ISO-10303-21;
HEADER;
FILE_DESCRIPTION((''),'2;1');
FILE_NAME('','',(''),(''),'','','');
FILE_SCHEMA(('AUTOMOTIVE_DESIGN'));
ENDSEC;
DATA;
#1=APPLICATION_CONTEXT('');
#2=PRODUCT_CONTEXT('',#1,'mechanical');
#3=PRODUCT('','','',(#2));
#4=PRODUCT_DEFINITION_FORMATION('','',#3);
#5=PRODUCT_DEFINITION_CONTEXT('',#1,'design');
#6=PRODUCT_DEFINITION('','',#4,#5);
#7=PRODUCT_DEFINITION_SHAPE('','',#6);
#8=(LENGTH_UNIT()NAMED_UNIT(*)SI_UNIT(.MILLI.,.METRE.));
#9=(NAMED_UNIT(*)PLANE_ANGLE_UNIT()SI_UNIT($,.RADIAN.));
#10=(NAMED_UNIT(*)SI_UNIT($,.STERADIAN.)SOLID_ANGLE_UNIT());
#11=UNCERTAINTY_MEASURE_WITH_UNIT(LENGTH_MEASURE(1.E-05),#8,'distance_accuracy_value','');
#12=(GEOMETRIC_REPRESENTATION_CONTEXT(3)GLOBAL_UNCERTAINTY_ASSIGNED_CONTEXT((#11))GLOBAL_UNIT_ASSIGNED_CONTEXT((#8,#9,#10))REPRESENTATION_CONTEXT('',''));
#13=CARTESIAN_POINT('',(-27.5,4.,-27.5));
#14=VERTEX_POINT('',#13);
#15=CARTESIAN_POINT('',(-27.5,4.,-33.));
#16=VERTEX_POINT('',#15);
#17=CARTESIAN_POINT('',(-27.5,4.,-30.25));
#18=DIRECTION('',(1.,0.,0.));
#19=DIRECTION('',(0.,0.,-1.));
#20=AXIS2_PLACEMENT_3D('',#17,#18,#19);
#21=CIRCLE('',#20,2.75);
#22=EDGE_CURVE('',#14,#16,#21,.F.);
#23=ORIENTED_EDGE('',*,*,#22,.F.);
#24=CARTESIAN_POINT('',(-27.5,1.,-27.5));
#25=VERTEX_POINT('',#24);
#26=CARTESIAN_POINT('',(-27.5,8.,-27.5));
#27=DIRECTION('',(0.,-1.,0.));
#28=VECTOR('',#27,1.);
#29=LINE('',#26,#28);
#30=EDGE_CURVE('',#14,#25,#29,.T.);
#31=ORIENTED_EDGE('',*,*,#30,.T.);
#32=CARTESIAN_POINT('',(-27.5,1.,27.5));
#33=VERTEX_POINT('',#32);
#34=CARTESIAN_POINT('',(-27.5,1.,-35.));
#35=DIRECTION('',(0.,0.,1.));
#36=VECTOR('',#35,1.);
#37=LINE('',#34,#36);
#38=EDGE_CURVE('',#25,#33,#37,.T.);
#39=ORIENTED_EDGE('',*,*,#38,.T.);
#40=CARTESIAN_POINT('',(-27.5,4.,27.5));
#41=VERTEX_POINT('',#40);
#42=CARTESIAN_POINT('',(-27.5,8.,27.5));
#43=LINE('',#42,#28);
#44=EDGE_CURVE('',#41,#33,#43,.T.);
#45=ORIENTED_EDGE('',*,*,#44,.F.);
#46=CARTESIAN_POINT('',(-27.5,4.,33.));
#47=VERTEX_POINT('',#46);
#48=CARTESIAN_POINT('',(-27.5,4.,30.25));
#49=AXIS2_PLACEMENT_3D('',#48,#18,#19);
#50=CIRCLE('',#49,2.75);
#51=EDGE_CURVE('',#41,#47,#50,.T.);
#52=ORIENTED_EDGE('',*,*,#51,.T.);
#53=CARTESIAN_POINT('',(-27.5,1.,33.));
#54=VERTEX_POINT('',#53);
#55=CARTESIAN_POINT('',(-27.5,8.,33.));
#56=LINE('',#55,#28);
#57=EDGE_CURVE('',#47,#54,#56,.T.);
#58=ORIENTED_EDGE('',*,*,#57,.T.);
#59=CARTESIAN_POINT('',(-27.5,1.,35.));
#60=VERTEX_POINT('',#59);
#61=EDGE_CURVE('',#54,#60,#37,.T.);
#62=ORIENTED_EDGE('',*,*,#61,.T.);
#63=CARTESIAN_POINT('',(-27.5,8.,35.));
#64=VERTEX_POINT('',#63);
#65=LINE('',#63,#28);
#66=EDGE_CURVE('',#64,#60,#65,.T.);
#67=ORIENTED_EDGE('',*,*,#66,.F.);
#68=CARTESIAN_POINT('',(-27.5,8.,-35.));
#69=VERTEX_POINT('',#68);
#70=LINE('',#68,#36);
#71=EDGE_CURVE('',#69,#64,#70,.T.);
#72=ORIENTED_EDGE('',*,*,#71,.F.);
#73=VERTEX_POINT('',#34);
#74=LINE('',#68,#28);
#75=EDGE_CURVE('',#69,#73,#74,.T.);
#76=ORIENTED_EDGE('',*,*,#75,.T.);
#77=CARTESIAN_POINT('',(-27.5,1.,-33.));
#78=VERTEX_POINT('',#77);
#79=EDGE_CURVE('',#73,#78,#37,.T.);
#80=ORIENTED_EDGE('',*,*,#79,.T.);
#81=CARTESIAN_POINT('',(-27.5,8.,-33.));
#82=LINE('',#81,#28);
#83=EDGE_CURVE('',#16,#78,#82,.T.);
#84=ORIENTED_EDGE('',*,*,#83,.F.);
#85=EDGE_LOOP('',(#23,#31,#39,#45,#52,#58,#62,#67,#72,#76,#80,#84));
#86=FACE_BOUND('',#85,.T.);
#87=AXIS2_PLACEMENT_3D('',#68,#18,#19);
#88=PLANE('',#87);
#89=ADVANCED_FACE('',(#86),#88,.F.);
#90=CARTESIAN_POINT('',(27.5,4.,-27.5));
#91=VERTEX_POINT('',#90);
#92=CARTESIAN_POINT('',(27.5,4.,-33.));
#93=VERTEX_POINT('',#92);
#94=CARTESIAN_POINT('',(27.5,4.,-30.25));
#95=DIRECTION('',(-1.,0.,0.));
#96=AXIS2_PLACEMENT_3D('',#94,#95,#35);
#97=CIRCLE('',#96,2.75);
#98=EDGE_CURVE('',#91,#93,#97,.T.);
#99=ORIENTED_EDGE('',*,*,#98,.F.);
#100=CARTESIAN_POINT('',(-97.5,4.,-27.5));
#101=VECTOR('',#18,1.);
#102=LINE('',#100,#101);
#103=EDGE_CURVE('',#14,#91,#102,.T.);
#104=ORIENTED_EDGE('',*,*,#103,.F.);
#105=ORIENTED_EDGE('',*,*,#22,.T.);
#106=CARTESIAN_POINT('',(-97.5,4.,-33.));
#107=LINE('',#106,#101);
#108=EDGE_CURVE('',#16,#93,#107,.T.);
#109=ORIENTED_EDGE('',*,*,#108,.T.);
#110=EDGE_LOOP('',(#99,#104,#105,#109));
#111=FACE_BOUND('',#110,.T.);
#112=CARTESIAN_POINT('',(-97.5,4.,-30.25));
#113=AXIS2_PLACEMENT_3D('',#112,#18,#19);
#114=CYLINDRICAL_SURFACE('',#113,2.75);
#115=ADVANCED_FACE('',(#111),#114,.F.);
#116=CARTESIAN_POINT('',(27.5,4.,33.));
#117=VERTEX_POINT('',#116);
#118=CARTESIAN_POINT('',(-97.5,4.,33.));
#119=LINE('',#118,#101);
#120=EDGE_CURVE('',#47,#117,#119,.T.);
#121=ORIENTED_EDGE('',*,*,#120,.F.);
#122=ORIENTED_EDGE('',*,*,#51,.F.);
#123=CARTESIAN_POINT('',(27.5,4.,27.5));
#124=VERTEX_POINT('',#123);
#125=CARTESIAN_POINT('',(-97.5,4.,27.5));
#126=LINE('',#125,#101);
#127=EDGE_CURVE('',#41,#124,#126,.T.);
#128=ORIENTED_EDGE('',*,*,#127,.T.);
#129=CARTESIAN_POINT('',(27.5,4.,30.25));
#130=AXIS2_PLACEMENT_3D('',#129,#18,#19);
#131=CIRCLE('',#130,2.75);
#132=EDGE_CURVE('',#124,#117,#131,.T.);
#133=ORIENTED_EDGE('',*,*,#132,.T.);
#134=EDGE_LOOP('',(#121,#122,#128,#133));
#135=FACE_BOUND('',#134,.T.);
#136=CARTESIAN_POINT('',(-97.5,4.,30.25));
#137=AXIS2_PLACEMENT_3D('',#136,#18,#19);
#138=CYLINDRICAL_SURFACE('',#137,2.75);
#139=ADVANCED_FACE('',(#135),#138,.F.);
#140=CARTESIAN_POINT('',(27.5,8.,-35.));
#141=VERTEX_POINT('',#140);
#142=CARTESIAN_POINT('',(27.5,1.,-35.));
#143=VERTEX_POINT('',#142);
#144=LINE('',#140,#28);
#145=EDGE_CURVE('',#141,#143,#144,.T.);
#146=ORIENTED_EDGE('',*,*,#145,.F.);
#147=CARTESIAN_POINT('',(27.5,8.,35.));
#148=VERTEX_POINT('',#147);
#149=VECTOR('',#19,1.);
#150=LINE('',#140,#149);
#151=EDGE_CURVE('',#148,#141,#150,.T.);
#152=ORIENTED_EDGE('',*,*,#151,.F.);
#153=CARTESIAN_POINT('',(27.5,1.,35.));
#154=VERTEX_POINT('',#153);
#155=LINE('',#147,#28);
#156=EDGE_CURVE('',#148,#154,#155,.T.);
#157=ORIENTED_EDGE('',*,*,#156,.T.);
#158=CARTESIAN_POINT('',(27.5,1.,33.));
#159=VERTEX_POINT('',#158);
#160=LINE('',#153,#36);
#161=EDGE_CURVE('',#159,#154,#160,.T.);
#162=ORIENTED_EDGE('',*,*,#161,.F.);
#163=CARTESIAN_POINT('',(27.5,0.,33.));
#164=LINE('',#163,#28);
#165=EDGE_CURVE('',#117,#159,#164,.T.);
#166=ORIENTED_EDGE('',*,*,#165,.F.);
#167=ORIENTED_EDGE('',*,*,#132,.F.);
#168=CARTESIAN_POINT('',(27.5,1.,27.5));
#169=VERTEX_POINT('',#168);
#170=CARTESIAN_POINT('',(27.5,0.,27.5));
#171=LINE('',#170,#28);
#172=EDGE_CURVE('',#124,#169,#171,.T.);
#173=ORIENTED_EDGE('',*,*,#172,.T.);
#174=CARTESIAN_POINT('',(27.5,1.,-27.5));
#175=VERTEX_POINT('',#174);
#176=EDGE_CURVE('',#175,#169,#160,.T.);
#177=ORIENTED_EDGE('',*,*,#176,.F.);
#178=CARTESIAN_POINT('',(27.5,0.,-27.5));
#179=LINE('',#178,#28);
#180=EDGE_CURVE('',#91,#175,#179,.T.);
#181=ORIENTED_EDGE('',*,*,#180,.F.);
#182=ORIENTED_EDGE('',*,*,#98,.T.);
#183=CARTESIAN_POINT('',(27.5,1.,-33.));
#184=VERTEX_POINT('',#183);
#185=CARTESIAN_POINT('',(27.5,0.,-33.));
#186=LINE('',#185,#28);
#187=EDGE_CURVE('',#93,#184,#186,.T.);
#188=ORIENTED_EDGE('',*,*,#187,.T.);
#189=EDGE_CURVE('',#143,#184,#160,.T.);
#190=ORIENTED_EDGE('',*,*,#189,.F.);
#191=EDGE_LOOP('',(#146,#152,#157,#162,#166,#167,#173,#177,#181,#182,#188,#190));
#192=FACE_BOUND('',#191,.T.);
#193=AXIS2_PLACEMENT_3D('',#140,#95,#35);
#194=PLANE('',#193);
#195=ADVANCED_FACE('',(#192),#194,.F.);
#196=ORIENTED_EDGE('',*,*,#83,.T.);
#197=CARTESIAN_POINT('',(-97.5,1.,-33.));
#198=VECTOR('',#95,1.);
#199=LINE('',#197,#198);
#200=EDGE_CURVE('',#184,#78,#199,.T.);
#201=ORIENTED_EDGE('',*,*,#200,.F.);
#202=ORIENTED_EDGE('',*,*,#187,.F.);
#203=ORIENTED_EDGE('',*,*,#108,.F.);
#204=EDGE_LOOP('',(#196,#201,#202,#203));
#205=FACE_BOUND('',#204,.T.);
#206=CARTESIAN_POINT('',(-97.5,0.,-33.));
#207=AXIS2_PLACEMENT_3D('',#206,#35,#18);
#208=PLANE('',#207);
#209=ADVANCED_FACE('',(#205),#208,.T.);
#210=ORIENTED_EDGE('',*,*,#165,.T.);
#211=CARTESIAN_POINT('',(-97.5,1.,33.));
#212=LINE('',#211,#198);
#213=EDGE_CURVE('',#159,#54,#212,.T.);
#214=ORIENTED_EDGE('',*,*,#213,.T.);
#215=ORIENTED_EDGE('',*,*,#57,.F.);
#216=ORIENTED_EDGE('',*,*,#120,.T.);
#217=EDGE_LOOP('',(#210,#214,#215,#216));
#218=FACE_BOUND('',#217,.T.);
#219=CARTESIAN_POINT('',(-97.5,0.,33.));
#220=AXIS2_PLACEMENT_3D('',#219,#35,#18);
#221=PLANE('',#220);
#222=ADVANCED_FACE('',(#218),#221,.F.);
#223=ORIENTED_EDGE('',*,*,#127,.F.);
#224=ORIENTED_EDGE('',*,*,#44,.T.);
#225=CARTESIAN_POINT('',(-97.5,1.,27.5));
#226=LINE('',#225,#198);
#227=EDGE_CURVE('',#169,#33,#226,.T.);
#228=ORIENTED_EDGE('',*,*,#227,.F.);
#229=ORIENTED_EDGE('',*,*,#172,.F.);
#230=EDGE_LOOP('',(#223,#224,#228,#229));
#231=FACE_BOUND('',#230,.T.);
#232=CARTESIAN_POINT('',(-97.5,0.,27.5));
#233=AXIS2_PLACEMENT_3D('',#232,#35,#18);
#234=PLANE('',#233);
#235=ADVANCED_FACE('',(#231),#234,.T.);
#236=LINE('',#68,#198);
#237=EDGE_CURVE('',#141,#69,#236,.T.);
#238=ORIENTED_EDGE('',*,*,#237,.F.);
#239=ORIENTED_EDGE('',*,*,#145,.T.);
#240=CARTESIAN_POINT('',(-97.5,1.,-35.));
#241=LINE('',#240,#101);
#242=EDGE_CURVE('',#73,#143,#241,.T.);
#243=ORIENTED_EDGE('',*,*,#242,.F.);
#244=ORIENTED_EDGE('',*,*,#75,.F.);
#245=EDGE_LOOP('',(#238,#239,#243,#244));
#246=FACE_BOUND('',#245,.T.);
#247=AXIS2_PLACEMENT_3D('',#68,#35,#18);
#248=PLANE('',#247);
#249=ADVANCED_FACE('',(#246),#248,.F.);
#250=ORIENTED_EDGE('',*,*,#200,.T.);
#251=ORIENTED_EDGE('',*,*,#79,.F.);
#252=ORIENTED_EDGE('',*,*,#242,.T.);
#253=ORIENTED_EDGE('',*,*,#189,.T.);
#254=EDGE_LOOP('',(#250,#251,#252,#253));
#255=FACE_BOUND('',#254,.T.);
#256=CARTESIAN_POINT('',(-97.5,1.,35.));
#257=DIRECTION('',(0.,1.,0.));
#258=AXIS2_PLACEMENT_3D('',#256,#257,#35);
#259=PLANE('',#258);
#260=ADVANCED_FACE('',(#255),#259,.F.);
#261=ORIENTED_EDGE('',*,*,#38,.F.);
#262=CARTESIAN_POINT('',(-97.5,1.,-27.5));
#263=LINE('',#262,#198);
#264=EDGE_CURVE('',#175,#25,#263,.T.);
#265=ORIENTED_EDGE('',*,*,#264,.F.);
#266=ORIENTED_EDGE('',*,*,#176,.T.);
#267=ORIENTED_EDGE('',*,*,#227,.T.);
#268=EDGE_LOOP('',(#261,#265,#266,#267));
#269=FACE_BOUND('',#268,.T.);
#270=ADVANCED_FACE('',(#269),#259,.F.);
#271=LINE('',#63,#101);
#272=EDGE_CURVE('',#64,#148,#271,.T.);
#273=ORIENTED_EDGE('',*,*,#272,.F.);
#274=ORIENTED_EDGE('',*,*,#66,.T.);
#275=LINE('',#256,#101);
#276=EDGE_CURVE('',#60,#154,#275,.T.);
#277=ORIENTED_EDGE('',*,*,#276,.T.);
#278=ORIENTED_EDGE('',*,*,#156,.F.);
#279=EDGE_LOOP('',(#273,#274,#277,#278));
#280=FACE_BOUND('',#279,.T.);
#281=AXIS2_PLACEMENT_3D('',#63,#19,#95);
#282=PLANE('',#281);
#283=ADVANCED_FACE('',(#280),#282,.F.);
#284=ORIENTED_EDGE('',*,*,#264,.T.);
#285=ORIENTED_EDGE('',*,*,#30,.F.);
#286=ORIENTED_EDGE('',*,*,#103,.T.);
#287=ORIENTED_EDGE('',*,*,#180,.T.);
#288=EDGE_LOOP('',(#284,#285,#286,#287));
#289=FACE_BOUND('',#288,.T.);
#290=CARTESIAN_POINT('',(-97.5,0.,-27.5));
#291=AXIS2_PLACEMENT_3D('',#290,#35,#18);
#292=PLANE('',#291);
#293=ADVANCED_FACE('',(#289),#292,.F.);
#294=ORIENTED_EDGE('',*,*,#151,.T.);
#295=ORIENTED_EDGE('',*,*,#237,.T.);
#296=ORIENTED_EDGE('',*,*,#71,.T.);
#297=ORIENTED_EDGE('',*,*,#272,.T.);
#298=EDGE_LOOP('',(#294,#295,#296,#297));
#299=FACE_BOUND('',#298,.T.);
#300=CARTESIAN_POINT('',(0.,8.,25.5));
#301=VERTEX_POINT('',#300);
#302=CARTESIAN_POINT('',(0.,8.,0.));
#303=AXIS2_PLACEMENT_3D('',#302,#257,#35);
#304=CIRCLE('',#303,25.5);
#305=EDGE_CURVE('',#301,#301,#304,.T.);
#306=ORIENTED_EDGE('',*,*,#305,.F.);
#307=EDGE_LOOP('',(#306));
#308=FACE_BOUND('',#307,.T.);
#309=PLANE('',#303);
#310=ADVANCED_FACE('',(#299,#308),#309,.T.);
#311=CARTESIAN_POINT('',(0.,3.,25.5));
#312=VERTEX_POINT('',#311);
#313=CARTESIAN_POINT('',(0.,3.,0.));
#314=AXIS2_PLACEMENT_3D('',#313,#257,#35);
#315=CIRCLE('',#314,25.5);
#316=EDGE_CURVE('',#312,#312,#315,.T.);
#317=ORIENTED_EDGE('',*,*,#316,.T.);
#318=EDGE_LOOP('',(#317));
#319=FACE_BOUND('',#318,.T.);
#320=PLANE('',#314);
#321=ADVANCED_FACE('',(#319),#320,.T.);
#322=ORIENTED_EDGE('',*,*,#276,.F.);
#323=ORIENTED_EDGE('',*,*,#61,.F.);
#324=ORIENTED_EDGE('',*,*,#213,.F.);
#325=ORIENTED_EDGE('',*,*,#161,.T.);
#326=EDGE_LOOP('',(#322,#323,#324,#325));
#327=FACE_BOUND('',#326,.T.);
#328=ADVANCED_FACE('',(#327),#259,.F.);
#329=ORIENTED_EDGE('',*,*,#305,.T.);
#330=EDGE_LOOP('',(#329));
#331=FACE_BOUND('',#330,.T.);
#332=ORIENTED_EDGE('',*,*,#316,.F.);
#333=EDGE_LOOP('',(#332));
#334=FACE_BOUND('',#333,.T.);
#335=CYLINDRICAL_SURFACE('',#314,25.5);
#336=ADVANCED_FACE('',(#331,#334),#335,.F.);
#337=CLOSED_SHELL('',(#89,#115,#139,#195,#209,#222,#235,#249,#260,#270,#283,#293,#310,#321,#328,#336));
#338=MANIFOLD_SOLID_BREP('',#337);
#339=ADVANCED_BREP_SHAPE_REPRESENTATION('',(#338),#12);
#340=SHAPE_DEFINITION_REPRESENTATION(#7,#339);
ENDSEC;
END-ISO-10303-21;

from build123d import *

# Parameters (mm, degrees)
SKETCH2_W           = 55
SKETCH2_H           = 70
BOSS_EXTRUDE1_DEPTH = 8
SKETCH3_R           = 25.5
CUT_EXTRUDE1_DEPTH  = 5
CUT_EXTRUDE3_DEPTH  = 125
SKETCH6_W           = 70
SKETCH6_H           = 1
CUT_EXTRUDE4_DEPTH  = 125


with BuildPart() as part:
    # Sketch2 → Boss-Extrude1 (new body)
    with BuildSketch(Plane(origin=(0, 0, 0), x_dir=(1, 0, 0), z_dir=(0, 1, 0))):
        Rectangle(SKETCH2_W, SKETCH2_H)
    extrude(amount=BOSS_EXTRUDE1_DEPTH)

    # Sketch3 → Cut-Extrude1 (cut)
    with BuildSketch(Plane(origin=(0, 8, 0), x_dir=(1, 0, 0), z_dir=(0, 1, 0))):
        with Locations(Location((0, 0, 0), (0, 0, 270))):
            Circle(SKETCH3_R)
    extrude(amount=-CUT_EXTRUDE1_DEPTH, mode=Mode.SUBTRACT)

    # Sketch4 → Cut-Extrude3 (cut)
    with BuildSketch(Plane(origin=(27.5, 0, 0), x_dir=(0, 0, -1), z_dir=(1, 0, 0))):
        with BuildLine():
            Line((-30.25, 0), (-30.25, 1.25))
            ThreePointArc((-30.25, 1.25), (-32.194543648, 2.055456352), (-33, 4))
            Line((-33, 4), (-33, 0))
            Line((-33, 0), (-30.25, 0))
        make_face()
        with BuildLine():
            ThreePointArc((-27.5, 4), (-28.305456352, 2.055456352), (-30.25, 1.25))
            Line((-30.25, 1.25), (-30.25, 0))
            Line((-30.25, 0), (-27.5, 0))
            Line((-27.5, 0), (-27.5, 4))
        make_face()
        with BuildLine():
            ThreePointArc((-27.5, 4), (-28.305456352, 5.944543648), (-30.25, 6.75))
            Line((-30.25, 6.75), (-30.25, 1.25))
            ThreePointArc((-30.25, 1.25), (-28.305456352, 2.055456352), (-27.5, 4))
        make_face()
        with BuildLine():
            Line((-30.25, 1.25), (-30.25, 6.75))
            ThreePointArc((-30.25, 6.75), (-32.194543648, 5.944543648), (-33, 4))
            ThreePointArc((-33, 4), (-32.194543648, 2.055456352), (-30.25, 1.25))
        make_face()
    cut_extrude3 = extrude(amount=-CUT_EXTRUDE3_DEPTH, mode=Mode.SUBTRACT)

    # Mirror1: Cut-Extrude3 across plane
    add(cut_extrude3.mirror(Plane.XY), mode=Mode.SUBTRACT)

    # Sketch6 → Cut-Extrude4 (cut)
    with BuildSketch(Plane(origin=(27.5, 0, 0), x_dir=(0, 0, -1), z_dir=(1, 0, 0))):
        with Locations((0, 0.5)):
            Rectangle(SKETCH6_W, SKETCH6_H)
    extrude(amount=-CUT_EXTRUDE4_DEPTH, mode=Mode.SUBTRACT)


solid = part.part
